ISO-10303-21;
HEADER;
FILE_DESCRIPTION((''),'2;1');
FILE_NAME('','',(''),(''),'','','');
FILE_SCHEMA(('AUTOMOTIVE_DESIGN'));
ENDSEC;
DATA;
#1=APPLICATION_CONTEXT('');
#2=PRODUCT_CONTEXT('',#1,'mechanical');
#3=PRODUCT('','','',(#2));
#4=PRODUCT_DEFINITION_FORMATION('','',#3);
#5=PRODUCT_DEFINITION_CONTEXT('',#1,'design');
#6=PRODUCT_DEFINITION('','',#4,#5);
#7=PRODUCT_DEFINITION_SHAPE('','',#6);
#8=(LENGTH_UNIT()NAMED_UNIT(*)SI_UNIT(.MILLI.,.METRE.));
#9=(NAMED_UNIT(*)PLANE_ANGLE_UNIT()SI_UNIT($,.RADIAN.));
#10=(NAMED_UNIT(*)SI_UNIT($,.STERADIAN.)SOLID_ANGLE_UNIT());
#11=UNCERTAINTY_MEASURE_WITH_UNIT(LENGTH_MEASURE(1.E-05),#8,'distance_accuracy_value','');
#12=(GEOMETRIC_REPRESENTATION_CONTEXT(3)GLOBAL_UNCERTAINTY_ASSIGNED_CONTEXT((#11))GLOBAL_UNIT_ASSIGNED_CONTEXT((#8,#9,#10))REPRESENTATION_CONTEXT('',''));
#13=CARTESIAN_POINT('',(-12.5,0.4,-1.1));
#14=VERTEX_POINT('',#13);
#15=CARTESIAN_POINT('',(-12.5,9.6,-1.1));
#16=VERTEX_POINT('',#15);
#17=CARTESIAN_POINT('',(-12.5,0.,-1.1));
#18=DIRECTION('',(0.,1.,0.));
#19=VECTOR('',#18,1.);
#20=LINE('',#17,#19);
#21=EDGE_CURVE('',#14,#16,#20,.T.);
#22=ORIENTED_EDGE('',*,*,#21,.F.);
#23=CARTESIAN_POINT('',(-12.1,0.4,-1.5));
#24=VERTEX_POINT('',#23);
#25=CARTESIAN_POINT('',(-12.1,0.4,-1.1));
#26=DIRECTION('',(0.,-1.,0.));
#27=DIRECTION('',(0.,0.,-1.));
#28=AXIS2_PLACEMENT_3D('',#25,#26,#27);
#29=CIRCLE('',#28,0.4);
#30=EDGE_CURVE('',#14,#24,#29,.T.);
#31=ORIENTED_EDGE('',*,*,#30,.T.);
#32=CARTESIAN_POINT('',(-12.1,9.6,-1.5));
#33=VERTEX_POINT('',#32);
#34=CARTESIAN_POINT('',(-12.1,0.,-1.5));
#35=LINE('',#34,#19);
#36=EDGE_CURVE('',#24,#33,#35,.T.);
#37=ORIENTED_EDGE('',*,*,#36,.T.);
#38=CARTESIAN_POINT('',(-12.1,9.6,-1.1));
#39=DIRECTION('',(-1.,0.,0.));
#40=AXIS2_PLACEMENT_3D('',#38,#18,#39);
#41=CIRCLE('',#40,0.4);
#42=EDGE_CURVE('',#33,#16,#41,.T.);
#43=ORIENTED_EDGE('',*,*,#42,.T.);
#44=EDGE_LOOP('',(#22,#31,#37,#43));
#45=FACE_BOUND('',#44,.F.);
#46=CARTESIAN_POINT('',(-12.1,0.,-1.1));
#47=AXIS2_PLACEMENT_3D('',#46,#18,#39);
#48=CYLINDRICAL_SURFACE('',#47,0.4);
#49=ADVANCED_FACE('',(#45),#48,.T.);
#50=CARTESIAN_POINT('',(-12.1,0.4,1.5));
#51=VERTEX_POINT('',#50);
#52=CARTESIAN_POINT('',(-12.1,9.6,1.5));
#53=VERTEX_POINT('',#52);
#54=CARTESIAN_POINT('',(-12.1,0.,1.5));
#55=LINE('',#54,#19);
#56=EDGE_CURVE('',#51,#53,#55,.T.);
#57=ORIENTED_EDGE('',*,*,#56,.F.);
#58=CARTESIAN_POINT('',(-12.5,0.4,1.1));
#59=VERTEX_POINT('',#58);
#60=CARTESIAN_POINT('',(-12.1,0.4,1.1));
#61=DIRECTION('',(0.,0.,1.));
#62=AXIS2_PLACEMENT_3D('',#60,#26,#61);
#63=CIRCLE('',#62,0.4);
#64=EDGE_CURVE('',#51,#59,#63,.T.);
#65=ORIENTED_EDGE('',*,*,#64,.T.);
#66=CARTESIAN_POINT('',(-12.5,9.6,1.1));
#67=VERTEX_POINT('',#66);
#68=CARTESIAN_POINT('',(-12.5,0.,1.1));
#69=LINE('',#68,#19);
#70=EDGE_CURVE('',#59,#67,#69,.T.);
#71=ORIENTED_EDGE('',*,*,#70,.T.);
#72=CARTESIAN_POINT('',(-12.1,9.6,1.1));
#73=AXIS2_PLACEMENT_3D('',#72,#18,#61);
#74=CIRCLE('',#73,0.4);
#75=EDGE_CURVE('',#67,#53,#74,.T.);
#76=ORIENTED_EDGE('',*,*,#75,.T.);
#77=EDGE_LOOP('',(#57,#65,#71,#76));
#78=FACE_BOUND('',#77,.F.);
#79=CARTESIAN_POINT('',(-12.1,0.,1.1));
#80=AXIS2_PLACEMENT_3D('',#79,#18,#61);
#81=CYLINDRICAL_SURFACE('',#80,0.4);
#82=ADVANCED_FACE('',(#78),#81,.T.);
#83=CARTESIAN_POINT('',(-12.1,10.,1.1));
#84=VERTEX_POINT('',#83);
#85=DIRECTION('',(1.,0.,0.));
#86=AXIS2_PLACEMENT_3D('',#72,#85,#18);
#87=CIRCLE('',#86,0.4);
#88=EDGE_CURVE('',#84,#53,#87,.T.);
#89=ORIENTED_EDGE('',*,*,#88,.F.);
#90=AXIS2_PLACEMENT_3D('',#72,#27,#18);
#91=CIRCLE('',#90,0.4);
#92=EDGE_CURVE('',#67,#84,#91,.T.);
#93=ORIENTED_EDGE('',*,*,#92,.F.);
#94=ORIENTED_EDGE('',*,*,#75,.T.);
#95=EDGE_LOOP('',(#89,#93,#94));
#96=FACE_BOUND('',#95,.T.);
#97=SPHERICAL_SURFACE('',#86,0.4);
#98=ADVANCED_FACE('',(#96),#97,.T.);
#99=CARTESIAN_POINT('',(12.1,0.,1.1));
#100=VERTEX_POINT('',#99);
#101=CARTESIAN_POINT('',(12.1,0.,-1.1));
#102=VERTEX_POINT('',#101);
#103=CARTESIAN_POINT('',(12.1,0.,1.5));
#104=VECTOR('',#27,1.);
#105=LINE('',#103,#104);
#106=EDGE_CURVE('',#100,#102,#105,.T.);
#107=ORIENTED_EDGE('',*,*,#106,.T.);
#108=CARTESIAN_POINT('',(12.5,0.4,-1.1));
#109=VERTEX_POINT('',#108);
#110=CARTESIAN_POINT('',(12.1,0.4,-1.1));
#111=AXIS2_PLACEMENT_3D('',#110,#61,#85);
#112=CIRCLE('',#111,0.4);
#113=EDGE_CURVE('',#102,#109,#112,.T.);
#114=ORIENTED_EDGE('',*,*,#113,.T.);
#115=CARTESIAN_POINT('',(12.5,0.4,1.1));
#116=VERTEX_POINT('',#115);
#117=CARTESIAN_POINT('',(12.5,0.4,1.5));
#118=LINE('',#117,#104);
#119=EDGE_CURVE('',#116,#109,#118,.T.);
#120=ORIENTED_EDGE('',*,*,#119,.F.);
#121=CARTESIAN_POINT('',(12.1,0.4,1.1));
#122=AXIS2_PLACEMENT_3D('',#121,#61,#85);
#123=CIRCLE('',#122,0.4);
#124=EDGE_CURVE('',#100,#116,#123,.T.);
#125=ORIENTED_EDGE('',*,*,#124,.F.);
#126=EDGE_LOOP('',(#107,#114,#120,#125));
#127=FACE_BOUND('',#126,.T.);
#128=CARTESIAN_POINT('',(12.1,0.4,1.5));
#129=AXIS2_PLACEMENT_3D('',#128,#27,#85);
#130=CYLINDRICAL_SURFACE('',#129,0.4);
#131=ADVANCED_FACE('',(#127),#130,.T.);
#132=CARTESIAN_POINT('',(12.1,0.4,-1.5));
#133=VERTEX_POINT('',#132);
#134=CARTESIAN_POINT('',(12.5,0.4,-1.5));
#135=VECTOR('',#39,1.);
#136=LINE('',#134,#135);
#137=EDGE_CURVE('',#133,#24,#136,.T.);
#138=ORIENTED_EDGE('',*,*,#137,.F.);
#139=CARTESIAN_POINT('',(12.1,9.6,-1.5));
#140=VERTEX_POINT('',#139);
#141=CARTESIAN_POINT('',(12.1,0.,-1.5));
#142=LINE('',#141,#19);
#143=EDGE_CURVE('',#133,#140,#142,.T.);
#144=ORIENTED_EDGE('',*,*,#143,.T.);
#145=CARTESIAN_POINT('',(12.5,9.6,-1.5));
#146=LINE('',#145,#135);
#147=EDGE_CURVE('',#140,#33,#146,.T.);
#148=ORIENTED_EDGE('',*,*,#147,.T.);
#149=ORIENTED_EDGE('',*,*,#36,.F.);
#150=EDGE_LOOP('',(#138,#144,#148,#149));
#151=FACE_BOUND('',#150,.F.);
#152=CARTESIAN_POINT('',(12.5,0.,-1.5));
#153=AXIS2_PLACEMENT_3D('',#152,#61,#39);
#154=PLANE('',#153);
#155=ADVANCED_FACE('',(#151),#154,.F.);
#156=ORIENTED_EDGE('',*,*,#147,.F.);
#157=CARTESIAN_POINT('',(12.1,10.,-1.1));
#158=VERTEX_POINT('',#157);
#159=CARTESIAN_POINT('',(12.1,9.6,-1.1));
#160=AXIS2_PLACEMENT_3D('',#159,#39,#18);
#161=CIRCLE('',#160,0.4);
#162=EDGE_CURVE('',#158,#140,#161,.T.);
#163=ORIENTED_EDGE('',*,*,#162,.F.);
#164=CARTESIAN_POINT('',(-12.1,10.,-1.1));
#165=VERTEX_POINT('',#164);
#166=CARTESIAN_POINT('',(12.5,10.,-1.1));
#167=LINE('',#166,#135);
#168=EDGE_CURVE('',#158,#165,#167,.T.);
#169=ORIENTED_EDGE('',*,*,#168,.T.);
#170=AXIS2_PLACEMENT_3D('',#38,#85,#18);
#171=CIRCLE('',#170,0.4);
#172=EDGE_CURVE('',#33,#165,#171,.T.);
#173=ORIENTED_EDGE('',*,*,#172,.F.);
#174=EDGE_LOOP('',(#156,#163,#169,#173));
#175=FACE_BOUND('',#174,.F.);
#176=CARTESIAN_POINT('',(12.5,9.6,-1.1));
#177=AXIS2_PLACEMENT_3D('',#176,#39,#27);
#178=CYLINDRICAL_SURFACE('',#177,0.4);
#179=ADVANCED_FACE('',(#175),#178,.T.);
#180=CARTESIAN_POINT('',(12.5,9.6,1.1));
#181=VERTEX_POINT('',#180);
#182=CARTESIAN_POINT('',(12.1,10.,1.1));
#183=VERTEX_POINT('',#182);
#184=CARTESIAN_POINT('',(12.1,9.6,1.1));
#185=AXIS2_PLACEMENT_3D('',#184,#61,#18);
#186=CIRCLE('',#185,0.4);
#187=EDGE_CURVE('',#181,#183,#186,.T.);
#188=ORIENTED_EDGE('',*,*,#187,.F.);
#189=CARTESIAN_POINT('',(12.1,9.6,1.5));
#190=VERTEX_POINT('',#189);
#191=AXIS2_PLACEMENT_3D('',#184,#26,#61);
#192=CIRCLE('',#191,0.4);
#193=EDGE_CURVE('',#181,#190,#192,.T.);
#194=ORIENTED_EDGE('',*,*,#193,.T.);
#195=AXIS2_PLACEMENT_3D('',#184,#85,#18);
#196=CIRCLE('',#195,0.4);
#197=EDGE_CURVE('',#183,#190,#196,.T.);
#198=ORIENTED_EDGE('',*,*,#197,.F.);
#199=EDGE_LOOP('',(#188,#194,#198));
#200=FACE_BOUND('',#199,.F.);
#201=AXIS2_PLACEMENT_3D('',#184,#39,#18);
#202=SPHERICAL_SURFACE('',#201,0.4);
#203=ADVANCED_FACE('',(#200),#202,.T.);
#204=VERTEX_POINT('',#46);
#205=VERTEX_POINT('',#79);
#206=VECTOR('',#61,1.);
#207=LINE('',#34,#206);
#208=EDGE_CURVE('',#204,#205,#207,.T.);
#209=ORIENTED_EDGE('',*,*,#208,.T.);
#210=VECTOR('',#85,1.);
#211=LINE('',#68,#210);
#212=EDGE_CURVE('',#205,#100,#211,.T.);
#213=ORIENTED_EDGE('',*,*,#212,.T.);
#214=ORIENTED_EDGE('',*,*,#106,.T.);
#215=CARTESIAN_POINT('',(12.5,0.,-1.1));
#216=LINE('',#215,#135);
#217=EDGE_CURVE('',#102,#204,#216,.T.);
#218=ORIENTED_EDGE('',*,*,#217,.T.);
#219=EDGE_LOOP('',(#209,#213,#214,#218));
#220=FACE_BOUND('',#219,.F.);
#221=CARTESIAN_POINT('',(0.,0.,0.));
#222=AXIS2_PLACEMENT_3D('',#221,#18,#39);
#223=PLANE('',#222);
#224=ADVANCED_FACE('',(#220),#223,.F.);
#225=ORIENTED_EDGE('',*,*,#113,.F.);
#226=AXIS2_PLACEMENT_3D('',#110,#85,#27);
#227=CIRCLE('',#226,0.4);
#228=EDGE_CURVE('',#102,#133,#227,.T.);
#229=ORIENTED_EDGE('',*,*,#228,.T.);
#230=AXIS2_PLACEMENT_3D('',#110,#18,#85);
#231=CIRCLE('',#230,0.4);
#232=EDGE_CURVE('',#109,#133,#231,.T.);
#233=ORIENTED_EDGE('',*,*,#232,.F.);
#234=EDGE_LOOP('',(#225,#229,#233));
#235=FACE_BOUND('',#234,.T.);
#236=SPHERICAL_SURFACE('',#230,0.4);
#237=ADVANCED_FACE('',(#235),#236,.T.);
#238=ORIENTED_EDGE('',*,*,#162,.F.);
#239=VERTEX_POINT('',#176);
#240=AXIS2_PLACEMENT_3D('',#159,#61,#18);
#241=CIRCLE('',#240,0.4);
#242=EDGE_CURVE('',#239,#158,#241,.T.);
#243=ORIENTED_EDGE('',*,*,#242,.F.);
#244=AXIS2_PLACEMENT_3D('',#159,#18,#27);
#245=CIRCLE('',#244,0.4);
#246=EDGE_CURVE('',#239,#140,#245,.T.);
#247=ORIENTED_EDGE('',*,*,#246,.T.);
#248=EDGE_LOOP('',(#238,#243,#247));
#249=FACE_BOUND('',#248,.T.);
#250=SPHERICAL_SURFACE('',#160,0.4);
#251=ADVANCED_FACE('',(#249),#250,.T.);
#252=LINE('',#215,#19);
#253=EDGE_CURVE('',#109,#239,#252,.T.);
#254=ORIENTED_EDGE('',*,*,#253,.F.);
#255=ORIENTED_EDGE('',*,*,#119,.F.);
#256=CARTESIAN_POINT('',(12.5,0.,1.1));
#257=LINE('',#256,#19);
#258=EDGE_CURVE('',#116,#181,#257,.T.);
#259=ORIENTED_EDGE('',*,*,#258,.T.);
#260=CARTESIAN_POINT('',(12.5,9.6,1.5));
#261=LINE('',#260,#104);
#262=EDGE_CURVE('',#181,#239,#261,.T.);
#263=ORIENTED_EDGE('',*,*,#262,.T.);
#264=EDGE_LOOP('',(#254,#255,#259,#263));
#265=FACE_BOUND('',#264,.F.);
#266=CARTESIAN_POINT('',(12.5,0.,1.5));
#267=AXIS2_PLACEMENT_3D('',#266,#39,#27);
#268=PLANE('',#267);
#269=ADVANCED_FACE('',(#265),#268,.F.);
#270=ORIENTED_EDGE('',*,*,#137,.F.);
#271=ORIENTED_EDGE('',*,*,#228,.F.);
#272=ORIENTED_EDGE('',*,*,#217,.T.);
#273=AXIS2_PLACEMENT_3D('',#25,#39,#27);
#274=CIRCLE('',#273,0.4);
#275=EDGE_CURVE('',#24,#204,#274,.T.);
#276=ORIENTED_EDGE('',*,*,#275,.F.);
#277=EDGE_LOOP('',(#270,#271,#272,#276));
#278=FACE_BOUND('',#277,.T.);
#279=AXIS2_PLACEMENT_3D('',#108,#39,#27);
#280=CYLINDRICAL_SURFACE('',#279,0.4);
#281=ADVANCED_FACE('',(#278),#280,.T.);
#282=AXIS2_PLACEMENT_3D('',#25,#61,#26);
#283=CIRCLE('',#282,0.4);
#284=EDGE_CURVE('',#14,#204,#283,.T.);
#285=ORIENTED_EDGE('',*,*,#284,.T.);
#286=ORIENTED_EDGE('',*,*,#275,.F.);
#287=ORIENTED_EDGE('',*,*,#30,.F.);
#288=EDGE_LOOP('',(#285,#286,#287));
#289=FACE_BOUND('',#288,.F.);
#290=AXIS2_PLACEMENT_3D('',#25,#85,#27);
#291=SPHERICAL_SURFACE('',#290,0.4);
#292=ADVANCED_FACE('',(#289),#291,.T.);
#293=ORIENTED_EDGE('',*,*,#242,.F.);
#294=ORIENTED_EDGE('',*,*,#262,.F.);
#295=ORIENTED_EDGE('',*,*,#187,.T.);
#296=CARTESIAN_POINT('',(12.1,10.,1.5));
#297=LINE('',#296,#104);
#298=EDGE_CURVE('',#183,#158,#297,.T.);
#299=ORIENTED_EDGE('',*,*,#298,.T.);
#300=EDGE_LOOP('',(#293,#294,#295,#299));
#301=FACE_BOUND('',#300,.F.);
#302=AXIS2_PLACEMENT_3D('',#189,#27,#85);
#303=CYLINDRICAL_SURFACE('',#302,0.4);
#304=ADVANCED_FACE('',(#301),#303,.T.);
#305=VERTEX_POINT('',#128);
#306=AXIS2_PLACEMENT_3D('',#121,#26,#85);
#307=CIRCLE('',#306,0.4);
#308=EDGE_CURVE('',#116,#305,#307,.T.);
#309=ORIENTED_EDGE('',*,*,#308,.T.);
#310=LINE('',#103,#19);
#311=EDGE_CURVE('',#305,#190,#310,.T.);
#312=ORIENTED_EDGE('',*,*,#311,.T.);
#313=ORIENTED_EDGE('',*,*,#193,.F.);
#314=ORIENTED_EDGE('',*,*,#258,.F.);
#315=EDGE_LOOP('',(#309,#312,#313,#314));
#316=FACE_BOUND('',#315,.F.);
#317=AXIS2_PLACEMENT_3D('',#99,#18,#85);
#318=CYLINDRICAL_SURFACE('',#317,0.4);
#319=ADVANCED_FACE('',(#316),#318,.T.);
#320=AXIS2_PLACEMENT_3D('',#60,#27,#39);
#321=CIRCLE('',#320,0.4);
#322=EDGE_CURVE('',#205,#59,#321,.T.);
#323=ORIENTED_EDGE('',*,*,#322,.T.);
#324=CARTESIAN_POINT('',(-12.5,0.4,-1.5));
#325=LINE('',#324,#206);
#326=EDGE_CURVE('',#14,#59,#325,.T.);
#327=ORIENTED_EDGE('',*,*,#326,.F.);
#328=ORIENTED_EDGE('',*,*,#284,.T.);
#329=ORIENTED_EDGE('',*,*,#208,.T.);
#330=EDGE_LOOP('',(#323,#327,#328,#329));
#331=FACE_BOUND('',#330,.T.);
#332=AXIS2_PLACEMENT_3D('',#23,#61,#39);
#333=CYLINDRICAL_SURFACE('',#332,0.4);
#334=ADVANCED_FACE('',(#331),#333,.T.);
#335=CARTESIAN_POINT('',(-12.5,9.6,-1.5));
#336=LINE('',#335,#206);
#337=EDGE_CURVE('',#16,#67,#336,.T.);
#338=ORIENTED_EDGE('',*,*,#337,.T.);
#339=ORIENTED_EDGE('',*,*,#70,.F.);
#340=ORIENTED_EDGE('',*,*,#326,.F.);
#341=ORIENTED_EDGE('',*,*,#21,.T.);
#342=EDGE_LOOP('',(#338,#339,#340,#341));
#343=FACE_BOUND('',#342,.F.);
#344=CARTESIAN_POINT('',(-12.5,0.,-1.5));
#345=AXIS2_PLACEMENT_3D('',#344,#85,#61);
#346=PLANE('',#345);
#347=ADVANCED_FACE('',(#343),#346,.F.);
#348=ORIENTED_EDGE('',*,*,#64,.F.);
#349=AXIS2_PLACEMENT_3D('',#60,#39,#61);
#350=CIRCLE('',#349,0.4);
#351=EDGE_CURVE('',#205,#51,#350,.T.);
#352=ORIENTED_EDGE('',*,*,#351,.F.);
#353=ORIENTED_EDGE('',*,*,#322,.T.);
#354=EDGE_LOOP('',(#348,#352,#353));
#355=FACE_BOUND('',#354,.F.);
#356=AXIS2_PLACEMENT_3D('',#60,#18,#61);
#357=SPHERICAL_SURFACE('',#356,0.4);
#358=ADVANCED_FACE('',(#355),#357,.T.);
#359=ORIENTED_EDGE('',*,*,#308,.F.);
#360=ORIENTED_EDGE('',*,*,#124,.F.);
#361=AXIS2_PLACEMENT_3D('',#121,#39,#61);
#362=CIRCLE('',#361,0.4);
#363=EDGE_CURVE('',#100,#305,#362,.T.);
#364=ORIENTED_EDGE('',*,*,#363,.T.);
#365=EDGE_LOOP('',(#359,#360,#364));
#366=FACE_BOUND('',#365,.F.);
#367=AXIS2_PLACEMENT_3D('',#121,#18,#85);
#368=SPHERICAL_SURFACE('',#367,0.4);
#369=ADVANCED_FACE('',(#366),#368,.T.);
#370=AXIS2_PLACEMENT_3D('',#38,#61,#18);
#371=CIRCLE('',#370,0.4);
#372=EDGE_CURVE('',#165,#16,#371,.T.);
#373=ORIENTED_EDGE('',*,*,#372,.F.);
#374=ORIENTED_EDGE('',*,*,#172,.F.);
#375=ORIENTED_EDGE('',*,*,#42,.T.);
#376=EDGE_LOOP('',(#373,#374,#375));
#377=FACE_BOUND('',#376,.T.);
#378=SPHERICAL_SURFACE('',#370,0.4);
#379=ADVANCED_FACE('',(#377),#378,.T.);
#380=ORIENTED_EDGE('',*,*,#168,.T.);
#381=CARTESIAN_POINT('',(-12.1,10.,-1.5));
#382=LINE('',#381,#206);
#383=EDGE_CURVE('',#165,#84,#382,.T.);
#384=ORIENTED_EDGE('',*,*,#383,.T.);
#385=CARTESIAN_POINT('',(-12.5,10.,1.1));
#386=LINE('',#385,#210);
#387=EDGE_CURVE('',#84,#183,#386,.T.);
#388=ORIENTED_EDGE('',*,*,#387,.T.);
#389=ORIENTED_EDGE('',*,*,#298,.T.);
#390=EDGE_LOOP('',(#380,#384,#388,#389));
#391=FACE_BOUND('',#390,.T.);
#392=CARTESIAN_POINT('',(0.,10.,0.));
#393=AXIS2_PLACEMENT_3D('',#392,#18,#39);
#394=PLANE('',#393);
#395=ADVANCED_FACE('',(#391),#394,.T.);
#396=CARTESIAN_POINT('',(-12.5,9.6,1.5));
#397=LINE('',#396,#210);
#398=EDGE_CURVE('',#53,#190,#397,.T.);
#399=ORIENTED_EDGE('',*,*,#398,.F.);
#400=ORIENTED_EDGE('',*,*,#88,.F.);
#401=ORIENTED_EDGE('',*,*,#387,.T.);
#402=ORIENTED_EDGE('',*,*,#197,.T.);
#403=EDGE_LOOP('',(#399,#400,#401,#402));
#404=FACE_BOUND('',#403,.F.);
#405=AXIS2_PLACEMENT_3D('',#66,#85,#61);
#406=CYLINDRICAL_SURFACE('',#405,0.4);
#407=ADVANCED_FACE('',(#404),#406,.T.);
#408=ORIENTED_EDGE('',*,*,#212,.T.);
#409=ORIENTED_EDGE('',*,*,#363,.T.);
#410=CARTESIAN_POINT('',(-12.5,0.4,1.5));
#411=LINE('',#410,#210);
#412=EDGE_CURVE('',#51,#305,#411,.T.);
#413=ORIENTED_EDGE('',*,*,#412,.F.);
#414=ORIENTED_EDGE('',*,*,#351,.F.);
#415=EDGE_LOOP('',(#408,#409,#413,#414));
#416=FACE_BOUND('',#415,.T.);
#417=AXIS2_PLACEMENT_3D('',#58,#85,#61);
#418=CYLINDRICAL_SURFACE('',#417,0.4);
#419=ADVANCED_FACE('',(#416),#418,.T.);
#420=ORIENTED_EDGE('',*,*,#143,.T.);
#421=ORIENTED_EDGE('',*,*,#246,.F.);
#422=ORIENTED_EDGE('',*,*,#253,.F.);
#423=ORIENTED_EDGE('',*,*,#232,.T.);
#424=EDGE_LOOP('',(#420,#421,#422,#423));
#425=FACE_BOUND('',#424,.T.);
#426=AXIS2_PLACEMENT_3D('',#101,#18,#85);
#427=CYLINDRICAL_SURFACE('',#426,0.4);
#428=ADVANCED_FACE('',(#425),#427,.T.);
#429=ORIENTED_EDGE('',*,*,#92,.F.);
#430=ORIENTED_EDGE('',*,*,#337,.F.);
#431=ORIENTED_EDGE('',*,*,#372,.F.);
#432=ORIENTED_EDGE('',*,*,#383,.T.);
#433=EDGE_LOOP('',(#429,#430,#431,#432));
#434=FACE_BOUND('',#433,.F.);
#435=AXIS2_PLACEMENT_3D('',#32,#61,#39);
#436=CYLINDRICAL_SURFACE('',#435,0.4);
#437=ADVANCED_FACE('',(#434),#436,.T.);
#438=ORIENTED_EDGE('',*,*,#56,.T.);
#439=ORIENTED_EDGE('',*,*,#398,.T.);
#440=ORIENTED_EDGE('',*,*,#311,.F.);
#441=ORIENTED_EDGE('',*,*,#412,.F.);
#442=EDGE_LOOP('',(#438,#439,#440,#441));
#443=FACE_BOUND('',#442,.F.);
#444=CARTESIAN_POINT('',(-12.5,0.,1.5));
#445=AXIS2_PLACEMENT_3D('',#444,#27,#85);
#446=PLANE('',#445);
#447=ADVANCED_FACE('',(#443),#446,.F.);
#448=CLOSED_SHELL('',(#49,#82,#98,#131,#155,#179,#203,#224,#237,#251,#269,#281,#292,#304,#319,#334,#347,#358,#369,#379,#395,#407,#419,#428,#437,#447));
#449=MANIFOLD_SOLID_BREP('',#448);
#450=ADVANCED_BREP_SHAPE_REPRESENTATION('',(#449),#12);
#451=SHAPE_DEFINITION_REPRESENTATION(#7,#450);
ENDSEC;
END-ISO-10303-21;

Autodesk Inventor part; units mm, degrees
ref_plane "YZ Plane" through (0, 0, 0) normal (1, 0, 0) x (0, 1, 0)
ref_plane "XZ Plane" through (0, 0, 0) normal (0, 1, 0) x (-1, 0, 0)
ref_plane "XY Plane" through (0, 0, 0) normal (0, 0, 1) x (1, 0, 0)
sketch "Sketch1" plane through (0, 0, 0) normal (0, 1, 0) x (-1, 0, 0)
  line L0 (-12.5, -1.5) -> (12.5, -1.5)
  line L1 (12.5, -1.5) -> (12.5, 1.5)
  line L2 (12.5, 1.5) -> (-12.5, 1.5)
  line L3 (-12.5, 1.5) -> (-12.5, -1.5)
  line L4 (-12.5, -1.5) -> (12.5, 1.5) construction
  line L5 (12.5, -1.5) -> (-12.5, 1.5) construction
  point P0 (0, 0)
  dimension "d0" = 25
  dimension "d1" = 3
extrude "Extrusion1" add sketch "Sketch1" along normal blind 10
fillet "Fillet1" radius 0.4 12 edges at (0, 10, 1.5) (-12.5, 10, 0) (-12.5, 5, 1.5) (0, 10, -1.5) (12.5, 10, 0) (12.5, 5, 1.5) (12.5, 5, -1.5) (12.5, 0, 0) (0, 0, 1.5) (0, 0, -1.5) (-12.5, 5, -1.5) (-12.5, 0, 0)
properties part number "iman"
